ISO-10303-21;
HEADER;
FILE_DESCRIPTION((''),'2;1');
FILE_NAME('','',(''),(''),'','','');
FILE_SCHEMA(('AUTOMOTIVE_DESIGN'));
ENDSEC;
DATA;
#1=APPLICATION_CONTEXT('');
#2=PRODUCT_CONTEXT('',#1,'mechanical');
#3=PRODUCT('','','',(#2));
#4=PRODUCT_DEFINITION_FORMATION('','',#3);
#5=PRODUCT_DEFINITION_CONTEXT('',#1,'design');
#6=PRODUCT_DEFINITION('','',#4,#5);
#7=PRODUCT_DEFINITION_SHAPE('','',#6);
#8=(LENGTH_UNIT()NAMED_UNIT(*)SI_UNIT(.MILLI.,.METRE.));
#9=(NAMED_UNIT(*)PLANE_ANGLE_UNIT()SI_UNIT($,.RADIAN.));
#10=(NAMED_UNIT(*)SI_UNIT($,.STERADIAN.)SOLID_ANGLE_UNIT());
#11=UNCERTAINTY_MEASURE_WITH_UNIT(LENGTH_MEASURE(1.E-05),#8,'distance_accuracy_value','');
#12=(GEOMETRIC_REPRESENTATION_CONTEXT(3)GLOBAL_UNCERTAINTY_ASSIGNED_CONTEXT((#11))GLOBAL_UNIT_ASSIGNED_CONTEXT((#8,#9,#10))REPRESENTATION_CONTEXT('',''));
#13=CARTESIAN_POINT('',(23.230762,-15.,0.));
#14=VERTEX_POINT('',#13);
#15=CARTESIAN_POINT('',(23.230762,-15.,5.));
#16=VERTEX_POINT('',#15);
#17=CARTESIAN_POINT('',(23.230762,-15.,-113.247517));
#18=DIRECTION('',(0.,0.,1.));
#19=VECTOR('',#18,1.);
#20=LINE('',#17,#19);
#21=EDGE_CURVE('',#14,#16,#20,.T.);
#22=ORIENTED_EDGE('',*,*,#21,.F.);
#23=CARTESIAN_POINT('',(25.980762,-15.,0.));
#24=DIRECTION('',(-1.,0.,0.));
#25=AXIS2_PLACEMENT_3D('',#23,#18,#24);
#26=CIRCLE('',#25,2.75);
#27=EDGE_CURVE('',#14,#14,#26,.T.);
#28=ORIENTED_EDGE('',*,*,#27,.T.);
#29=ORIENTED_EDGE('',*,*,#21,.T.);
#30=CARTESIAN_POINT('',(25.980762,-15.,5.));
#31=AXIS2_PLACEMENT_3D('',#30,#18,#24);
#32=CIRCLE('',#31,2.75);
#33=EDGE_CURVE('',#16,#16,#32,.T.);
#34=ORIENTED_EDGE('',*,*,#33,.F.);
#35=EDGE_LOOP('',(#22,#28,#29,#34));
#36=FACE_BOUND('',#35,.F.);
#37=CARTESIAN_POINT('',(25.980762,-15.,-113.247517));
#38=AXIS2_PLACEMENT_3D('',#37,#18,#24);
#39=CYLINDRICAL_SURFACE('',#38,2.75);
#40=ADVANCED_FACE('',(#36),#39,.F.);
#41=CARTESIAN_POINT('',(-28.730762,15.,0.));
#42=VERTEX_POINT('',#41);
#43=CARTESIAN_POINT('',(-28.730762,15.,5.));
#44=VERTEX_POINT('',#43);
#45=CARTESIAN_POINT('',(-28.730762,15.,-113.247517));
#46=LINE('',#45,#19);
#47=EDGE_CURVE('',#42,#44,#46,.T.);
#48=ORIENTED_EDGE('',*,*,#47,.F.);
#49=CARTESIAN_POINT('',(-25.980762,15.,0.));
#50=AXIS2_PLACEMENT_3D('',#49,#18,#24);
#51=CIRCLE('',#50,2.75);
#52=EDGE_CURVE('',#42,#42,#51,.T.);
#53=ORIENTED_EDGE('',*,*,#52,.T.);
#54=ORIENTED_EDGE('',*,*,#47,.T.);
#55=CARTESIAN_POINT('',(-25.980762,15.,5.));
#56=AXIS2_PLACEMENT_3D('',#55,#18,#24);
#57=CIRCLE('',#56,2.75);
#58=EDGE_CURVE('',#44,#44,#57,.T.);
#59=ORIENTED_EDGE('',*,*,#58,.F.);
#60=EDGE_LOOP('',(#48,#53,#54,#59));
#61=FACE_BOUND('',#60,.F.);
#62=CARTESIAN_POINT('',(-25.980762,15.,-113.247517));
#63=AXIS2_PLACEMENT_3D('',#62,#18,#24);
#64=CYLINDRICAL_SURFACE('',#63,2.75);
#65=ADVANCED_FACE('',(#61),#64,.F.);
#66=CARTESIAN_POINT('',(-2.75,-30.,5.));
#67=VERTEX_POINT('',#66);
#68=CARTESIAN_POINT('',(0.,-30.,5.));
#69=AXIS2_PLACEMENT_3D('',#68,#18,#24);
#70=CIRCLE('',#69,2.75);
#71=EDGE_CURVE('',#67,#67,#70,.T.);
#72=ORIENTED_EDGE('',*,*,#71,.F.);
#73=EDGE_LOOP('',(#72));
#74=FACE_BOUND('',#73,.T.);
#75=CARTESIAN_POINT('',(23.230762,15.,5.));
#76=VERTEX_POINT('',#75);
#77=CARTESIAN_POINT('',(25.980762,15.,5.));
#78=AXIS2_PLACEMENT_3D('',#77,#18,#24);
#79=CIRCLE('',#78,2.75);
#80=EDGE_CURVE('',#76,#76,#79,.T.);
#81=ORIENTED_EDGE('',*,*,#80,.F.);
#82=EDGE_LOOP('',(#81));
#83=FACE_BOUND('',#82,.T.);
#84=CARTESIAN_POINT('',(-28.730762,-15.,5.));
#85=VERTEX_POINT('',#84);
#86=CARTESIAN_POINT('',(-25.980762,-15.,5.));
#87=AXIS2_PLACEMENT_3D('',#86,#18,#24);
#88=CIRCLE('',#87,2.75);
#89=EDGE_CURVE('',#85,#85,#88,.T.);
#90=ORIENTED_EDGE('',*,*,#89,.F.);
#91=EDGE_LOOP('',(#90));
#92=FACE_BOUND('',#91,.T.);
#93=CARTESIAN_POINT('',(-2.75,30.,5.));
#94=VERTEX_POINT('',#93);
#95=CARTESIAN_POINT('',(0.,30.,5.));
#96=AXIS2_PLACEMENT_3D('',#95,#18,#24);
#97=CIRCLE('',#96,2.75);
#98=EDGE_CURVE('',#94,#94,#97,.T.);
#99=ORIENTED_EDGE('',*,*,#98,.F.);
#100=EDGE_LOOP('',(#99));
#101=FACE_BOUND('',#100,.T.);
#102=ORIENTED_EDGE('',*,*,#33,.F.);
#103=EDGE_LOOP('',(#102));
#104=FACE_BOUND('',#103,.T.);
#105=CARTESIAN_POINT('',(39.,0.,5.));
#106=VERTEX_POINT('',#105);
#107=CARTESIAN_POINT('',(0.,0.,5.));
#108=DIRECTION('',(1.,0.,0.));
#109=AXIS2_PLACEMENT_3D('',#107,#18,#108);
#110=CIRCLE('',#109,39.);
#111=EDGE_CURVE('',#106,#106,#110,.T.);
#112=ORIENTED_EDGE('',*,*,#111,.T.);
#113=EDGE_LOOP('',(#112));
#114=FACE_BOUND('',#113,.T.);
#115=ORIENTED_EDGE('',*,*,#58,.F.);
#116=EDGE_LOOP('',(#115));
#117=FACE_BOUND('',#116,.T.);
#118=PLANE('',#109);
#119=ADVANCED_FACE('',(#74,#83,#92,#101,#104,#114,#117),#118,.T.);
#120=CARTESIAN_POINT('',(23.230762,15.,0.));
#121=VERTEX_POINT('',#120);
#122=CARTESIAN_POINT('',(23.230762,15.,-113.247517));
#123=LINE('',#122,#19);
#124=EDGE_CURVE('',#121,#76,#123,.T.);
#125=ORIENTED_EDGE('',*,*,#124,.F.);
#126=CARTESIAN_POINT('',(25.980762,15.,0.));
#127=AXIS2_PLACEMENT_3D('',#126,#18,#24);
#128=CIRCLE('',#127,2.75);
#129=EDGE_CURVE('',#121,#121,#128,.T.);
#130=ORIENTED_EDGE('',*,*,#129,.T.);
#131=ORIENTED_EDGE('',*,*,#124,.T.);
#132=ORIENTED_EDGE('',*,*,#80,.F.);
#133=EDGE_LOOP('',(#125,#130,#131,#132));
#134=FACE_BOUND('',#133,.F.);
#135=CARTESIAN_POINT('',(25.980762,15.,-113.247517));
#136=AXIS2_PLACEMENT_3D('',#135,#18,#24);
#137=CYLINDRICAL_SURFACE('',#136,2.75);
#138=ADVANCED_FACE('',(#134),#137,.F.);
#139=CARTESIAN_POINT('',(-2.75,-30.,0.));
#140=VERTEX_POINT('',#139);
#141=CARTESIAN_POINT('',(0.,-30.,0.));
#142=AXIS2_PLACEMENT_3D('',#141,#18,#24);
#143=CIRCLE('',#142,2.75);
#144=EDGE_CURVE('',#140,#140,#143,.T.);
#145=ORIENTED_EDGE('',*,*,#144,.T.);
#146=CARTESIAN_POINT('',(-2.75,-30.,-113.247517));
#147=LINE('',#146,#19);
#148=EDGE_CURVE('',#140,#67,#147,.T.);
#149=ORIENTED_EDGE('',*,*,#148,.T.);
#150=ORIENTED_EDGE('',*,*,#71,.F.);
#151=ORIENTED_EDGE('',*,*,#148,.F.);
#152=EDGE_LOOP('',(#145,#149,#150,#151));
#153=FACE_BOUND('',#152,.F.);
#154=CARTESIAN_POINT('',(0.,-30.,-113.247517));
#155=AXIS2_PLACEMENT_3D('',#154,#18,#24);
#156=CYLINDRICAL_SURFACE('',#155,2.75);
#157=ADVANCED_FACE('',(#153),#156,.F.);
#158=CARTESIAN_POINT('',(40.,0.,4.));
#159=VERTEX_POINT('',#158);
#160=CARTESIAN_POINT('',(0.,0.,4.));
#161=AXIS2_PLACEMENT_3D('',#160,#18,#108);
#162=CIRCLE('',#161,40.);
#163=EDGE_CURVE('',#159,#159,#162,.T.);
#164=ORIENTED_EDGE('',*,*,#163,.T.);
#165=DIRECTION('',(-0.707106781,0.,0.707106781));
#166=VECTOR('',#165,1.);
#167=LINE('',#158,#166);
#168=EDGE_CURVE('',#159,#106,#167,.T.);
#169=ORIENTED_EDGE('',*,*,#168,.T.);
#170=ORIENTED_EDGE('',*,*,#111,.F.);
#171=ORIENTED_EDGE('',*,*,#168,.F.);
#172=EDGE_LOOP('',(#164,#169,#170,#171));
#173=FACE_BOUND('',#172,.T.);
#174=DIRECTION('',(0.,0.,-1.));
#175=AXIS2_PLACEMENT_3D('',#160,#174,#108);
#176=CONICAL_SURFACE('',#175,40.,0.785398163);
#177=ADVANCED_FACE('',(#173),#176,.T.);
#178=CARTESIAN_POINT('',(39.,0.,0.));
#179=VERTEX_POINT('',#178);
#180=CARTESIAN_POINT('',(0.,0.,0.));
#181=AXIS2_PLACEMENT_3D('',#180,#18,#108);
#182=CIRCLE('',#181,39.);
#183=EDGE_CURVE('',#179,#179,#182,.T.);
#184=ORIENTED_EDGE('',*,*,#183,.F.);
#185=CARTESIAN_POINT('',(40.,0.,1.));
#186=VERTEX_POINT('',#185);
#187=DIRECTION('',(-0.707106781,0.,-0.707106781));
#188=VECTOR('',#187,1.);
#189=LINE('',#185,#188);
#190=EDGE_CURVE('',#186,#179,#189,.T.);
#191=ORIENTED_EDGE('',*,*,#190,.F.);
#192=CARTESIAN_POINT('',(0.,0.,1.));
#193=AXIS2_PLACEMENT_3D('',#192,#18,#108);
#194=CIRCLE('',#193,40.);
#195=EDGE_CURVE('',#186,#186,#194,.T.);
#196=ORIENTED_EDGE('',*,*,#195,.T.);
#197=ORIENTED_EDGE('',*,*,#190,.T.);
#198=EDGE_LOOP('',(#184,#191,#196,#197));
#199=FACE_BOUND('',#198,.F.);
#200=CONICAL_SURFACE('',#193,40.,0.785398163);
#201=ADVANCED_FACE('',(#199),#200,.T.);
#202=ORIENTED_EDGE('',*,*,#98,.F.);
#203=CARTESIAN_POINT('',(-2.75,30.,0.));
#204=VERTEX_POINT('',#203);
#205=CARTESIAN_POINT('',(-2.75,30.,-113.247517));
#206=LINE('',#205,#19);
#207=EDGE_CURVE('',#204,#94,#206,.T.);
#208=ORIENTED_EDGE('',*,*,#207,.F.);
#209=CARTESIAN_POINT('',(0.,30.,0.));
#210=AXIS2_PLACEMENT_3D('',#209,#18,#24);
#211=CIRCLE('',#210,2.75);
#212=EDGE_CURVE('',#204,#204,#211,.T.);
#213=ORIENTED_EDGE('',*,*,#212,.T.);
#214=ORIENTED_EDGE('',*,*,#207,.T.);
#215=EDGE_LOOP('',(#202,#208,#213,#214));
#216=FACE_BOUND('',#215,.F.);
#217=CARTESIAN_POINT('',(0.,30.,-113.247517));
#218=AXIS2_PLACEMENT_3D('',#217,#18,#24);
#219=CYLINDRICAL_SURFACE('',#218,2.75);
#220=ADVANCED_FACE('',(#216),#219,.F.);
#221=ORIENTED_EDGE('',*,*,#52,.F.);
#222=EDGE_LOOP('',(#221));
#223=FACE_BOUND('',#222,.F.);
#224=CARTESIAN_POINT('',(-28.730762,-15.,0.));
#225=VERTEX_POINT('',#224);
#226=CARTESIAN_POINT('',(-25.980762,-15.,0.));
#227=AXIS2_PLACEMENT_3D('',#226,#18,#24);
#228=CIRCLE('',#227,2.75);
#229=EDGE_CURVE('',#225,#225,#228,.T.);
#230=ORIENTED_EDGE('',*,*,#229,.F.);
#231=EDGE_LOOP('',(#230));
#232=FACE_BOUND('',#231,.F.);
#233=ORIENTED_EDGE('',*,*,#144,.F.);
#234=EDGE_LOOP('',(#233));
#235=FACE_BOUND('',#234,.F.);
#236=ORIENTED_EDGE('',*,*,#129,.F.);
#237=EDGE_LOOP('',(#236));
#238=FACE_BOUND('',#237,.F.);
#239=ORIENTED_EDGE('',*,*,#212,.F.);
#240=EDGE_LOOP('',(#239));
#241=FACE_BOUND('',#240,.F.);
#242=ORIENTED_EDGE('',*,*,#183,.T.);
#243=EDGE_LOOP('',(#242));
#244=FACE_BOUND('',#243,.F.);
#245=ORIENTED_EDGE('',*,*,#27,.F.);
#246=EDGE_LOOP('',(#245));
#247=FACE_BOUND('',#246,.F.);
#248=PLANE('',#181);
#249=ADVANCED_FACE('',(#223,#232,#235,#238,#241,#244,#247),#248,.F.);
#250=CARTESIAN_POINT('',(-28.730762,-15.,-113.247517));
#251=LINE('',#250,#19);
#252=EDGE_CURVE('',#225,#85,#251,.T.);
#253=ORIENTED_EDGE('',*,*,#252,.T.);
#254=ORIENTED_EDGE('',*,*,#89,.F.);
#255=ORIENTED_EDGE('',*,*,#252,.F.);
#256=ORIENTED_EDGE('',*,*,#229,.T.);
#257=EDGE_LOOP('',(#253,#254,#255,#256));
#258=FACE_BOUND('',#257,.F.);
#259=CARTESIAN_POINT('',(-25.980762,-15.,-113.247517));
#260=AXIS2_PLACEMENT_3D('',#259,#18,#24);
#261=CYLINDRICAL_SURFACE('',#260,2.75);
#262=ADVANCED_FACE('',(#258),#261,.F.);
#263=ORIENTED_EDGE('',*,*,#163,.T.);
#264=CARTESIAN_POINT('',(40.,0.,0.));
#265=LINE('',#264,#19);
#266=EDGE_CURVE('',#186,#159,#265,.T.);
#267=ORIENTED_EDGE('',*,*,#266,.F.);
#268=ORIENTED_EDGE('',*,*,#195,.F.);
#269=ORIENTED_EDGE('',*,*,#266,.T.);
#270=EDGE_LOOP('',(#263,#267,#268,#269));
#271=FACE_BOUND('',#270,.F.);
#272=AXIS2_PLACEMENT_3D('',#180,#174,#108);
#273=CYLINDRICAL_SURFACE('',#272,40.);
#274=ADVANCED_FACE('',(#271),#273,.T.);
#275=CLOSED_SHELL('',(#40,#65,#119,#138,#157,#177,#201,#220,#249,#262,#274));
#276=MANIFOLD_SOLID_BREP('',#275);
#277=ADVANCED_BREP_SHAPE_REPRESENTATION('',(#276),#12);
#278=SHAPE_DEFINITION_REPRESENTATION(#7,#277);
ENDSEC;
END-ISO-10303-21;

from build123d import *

# Parameters (mm, degrees)
F0_R     = 40
F1_DEPTH = 5
F3_D     = 5.5
F4_SIZE  = 1


with BuildPart() as f1:
    # F0 (on Top) → F1 (new body)
    with BuildSketch(Plane.XY):
        Circle(F0_R)
    extrude(amount=F1_DEPTH)

    # F3 (through all)
    with Locations(Plane(origin=(0, 0, 0), x_dir=(1, 0, 0), z_dir=(0, 0, -1))):
        with Locations((0, 30), (25.980762, -15), (-25.980762, -15), (0, -30), (25.980762, 15), (-25.980762, 15)):
            Hole(F3_D / 2)

    # F4
    f4_edges = [f1.edges().sort_by_distance(p)[0] for p in [
        (-40, 0, 5),
        (-40, 0, 0),
    ]]
    chamfer(f4_edges, length=F4_SIZE)


solid = f1.part
